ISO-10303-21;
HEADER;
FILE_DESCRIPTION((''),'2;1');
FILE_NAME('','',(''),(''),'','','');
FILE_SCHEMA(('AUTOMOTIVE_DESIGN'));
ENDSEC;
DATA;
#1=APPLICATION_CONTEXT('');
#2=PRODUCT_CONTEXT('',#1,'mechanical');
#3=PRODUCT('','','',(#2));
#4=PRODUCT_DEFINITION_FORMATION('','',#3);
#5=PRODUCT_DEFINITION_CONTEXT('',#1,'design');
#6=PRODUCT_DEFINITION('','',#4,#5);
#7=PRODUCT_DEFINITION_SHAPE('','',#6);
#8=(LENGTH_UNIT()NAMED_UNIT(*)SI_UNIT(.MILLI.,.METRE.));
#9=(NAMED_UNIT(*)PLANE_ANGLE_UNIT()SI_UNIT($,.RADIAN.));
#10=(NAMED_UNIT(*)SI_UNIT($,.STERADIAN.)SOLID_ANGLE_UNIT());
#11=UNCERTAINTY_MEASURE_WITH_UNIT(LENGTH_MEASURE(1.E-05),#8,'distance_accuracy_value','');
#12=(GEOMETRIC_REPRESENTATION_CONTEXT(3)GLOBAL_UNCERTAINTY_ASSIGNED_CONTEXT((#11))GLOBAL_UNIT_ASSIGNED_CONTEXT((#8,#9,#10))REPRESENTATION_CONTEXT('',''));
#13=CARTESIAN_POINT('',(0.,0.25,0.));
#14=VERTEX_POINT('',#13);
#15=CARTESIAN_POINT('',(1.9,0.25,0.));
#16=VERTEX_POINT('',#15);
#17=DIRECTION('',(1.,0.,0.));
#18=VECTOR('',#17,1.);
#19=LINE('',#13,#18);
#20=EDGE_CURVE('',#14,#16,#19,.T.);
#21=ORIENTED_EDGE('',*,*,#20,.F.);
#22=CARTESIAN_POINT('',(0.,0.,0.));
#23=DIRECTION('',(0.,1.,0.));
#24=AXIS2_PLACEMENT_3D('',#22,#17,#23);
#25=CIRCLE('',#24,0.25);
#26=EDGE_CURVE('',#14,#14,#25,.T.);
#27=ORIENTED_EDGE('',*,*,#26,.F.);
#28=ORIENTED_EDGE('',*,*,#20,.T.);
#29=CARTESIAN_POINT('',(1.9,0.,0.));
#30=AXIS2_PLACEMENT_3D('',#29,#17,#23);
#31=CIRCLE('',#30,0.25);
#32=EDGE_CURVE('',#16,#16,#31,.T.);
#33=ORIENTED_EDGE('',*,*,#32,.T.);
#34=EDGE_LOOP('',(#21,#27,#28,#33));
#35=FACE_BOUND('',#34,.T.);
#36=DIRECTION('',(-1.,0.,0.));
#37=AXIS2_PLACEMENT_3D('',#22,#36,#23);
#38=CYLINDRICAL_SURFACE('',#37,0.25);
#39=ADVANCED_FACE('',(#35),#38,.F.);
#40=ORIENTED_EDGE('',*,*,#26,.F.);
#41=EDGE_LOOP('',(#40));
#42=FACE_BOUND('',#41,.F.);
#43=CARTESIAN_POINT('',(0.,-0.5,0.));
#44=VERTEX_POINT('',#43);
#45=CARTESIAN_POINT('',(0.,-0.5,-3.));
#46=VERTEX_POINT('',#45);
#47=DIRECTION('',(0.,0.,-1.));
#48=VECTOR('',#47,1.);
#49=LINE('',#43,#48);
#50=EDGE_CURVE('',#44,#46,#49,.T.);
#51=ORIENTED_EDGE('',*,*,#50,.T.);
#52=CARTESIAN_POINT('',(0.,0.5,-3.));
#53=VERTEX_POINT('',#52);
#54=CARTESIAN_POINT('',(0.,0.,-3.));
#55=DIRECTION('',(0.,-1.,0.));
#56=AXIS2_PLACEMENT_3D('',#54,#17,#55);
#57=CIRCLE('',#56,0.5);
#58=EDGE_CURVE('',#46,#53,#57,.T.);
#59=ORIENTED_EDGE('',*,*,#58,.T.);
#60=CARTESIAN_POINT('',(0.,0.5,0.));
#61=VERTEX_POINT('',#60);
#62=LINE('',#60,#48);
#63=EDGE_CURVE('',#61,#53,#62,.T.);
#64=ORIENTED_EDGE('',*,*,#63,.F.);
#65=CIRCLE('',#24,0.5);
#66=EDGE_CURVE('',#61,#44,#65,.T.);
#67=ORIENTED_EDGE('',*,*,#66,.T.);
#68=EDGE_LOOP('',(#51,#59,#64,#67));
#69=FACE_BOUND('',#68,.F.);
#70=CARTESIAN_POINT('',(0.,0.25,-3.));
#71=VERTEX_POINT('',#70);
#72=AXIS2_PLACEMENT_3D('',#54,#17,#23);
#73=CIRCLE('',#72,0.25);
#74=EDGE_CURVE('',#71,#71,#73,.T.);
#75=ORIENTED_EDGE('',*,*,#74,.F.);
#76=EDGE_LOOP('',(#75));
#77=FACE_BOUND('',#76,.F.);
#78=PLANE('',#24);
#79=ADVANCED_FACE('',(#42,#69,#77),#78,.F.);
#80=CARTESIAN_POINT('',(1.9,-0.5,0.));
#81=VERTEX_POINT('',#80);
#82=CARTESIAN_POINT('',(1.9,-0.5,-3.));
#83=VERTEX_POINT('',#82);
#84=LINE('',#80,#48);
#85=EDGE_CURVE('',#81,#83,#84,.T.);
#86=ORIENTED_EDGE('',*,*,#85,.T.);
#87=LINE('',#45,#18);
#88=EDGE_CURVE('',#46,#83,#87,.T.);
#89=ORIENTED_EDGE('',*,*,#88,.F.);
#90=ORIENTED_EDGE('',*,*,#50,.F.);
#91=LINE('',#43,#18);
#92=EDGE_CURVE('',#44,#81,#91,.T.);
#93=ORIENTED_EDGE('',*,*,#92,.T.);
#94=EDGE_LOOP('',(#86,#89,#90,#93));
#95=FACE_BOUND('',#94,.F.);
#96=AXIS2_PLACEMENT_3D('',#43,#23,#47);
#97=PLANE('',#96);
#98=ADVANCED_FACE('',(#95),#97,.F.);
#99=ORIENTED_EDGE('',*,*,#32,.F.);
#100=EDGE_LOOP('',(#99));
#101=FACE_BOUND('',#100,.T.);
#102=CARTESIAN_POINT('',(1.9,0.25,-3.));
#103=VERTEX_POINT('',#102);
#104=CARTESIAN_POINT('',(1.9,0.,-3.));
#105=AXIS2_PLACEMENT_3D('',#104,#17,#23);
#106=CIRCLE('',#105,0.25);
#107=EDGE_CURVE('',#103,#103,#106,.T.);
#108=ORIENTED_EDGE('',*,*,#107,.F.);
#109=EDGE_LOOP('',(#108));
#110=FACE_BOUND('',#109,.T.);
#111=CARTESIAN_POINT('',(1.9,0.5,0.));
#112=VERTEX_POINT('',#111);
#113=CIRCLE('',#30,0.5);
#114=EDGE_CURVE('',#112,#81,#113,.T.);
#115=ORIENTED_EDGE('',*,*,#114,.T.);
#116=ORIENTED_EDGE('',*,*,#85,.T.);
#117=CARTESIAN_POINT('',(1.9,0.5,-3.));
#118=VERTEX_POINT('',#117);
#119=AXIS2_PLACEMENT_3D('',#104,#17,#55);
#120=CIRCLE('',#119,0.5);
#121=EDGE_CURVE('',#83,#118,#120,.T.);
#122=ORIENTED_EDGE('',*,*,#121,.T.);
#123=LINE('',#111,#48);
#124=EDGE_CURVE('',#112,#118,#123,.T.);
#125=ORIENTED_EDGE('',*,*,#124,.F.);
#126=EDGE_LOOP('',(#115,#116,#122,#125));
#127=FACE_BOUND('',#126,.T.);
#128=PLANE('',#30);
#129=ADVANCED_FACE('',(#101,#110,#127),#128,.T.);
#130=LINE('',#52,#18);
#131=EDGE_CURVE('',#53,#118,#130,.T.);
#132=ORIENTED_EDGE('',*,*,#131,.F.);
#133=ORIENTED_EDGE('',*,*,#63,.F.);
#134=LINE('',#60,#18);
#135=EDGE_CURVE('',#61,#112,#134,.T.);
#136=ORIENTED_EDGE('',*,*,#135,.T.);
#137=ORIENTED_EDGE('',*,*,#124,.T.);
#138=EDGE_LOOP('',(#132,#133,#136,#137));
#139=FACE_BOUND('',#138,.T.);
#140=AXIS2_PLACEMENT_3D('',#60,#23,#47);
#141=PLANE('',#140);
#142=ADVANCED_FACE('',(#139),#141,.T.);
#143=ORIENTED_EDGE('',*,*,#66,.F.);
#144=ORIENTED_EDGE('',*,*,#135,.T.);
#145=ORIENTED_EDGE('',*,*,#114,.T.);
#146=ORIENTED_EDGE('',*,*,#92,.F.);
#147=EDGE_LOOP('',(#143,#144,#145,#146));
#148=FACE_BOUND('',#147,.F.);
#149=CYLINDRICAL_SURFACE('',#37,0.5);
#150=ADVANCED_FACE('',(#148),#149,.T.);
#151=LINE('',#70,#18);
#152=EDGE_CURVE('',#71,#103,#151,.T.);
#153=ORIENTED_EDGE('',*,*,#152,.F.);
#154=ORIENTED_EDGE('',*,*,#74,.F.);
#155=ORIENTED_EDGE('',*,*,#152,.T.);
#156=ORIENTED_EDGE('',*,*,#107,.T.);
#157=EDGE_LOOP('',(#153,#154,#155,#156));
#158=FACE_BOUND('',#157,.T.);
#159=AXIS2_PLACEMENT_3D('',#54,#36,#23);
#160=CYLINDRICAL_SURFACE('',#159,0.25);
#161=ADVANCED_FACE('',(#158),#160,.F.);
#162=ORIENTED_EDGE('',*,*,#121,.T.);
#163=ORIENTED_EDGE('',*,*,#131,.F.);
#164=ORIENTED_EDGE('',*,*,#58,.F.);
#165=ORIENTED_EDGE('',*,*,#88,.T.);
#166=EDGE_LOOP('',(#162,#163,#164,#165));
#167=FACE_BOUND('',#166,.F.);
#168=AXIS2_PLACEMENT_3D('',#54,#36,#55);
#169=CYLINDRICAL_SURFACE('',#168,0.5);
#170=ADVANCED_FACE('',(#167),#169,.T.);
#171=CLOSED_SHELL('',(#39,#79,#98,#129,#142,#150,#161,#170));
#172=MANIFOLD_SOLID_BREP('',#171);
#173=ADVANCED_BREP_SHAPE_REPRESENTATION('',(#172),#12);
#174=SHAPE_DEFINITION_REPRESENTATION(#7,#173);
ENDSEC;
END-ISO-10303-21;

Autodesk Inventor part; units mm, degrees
ref_plane "YZ Plane" through (0, 0, 0) normal (1, 0, 0) x (0, 1, 0)
ref_plane "XZ Plane" through (0, 0, 0) normal (0, 1, 0) x (-1, 0, 0)
ref_plane "XY Plane" through (0, 0, 0) normal (0, 0, 1) x (1, 0, 0)
sketch "Sketch2" plane through (0, 0, 0) normal (1, 0, 0) x (0, 1, 0)
  arc A0 (0.5, 0) -> (-0.5, 0) centre (0, 0) ccw
  circle A1 centre (0, 0) radius 0.25
  circle A2 centre (0, -3) radius 0.25
  arc A3 (-0.5, -3) -> (0.5, -3) centre (0, -3) ccw
  line L0 (0.5, 0) -> (0.5, -3)
  line L1 (-0.5, 0) -> (-0.5, -3)
  dimension "d7" = 1
  dimension "d8" = 0.5
  dimension "d10" = 0.5
  dimension "d11" = 1
extrude "Extrusion2" add sketch "Sketch2" along normal blind 1.9
properties part number "Tank Tread link B"
